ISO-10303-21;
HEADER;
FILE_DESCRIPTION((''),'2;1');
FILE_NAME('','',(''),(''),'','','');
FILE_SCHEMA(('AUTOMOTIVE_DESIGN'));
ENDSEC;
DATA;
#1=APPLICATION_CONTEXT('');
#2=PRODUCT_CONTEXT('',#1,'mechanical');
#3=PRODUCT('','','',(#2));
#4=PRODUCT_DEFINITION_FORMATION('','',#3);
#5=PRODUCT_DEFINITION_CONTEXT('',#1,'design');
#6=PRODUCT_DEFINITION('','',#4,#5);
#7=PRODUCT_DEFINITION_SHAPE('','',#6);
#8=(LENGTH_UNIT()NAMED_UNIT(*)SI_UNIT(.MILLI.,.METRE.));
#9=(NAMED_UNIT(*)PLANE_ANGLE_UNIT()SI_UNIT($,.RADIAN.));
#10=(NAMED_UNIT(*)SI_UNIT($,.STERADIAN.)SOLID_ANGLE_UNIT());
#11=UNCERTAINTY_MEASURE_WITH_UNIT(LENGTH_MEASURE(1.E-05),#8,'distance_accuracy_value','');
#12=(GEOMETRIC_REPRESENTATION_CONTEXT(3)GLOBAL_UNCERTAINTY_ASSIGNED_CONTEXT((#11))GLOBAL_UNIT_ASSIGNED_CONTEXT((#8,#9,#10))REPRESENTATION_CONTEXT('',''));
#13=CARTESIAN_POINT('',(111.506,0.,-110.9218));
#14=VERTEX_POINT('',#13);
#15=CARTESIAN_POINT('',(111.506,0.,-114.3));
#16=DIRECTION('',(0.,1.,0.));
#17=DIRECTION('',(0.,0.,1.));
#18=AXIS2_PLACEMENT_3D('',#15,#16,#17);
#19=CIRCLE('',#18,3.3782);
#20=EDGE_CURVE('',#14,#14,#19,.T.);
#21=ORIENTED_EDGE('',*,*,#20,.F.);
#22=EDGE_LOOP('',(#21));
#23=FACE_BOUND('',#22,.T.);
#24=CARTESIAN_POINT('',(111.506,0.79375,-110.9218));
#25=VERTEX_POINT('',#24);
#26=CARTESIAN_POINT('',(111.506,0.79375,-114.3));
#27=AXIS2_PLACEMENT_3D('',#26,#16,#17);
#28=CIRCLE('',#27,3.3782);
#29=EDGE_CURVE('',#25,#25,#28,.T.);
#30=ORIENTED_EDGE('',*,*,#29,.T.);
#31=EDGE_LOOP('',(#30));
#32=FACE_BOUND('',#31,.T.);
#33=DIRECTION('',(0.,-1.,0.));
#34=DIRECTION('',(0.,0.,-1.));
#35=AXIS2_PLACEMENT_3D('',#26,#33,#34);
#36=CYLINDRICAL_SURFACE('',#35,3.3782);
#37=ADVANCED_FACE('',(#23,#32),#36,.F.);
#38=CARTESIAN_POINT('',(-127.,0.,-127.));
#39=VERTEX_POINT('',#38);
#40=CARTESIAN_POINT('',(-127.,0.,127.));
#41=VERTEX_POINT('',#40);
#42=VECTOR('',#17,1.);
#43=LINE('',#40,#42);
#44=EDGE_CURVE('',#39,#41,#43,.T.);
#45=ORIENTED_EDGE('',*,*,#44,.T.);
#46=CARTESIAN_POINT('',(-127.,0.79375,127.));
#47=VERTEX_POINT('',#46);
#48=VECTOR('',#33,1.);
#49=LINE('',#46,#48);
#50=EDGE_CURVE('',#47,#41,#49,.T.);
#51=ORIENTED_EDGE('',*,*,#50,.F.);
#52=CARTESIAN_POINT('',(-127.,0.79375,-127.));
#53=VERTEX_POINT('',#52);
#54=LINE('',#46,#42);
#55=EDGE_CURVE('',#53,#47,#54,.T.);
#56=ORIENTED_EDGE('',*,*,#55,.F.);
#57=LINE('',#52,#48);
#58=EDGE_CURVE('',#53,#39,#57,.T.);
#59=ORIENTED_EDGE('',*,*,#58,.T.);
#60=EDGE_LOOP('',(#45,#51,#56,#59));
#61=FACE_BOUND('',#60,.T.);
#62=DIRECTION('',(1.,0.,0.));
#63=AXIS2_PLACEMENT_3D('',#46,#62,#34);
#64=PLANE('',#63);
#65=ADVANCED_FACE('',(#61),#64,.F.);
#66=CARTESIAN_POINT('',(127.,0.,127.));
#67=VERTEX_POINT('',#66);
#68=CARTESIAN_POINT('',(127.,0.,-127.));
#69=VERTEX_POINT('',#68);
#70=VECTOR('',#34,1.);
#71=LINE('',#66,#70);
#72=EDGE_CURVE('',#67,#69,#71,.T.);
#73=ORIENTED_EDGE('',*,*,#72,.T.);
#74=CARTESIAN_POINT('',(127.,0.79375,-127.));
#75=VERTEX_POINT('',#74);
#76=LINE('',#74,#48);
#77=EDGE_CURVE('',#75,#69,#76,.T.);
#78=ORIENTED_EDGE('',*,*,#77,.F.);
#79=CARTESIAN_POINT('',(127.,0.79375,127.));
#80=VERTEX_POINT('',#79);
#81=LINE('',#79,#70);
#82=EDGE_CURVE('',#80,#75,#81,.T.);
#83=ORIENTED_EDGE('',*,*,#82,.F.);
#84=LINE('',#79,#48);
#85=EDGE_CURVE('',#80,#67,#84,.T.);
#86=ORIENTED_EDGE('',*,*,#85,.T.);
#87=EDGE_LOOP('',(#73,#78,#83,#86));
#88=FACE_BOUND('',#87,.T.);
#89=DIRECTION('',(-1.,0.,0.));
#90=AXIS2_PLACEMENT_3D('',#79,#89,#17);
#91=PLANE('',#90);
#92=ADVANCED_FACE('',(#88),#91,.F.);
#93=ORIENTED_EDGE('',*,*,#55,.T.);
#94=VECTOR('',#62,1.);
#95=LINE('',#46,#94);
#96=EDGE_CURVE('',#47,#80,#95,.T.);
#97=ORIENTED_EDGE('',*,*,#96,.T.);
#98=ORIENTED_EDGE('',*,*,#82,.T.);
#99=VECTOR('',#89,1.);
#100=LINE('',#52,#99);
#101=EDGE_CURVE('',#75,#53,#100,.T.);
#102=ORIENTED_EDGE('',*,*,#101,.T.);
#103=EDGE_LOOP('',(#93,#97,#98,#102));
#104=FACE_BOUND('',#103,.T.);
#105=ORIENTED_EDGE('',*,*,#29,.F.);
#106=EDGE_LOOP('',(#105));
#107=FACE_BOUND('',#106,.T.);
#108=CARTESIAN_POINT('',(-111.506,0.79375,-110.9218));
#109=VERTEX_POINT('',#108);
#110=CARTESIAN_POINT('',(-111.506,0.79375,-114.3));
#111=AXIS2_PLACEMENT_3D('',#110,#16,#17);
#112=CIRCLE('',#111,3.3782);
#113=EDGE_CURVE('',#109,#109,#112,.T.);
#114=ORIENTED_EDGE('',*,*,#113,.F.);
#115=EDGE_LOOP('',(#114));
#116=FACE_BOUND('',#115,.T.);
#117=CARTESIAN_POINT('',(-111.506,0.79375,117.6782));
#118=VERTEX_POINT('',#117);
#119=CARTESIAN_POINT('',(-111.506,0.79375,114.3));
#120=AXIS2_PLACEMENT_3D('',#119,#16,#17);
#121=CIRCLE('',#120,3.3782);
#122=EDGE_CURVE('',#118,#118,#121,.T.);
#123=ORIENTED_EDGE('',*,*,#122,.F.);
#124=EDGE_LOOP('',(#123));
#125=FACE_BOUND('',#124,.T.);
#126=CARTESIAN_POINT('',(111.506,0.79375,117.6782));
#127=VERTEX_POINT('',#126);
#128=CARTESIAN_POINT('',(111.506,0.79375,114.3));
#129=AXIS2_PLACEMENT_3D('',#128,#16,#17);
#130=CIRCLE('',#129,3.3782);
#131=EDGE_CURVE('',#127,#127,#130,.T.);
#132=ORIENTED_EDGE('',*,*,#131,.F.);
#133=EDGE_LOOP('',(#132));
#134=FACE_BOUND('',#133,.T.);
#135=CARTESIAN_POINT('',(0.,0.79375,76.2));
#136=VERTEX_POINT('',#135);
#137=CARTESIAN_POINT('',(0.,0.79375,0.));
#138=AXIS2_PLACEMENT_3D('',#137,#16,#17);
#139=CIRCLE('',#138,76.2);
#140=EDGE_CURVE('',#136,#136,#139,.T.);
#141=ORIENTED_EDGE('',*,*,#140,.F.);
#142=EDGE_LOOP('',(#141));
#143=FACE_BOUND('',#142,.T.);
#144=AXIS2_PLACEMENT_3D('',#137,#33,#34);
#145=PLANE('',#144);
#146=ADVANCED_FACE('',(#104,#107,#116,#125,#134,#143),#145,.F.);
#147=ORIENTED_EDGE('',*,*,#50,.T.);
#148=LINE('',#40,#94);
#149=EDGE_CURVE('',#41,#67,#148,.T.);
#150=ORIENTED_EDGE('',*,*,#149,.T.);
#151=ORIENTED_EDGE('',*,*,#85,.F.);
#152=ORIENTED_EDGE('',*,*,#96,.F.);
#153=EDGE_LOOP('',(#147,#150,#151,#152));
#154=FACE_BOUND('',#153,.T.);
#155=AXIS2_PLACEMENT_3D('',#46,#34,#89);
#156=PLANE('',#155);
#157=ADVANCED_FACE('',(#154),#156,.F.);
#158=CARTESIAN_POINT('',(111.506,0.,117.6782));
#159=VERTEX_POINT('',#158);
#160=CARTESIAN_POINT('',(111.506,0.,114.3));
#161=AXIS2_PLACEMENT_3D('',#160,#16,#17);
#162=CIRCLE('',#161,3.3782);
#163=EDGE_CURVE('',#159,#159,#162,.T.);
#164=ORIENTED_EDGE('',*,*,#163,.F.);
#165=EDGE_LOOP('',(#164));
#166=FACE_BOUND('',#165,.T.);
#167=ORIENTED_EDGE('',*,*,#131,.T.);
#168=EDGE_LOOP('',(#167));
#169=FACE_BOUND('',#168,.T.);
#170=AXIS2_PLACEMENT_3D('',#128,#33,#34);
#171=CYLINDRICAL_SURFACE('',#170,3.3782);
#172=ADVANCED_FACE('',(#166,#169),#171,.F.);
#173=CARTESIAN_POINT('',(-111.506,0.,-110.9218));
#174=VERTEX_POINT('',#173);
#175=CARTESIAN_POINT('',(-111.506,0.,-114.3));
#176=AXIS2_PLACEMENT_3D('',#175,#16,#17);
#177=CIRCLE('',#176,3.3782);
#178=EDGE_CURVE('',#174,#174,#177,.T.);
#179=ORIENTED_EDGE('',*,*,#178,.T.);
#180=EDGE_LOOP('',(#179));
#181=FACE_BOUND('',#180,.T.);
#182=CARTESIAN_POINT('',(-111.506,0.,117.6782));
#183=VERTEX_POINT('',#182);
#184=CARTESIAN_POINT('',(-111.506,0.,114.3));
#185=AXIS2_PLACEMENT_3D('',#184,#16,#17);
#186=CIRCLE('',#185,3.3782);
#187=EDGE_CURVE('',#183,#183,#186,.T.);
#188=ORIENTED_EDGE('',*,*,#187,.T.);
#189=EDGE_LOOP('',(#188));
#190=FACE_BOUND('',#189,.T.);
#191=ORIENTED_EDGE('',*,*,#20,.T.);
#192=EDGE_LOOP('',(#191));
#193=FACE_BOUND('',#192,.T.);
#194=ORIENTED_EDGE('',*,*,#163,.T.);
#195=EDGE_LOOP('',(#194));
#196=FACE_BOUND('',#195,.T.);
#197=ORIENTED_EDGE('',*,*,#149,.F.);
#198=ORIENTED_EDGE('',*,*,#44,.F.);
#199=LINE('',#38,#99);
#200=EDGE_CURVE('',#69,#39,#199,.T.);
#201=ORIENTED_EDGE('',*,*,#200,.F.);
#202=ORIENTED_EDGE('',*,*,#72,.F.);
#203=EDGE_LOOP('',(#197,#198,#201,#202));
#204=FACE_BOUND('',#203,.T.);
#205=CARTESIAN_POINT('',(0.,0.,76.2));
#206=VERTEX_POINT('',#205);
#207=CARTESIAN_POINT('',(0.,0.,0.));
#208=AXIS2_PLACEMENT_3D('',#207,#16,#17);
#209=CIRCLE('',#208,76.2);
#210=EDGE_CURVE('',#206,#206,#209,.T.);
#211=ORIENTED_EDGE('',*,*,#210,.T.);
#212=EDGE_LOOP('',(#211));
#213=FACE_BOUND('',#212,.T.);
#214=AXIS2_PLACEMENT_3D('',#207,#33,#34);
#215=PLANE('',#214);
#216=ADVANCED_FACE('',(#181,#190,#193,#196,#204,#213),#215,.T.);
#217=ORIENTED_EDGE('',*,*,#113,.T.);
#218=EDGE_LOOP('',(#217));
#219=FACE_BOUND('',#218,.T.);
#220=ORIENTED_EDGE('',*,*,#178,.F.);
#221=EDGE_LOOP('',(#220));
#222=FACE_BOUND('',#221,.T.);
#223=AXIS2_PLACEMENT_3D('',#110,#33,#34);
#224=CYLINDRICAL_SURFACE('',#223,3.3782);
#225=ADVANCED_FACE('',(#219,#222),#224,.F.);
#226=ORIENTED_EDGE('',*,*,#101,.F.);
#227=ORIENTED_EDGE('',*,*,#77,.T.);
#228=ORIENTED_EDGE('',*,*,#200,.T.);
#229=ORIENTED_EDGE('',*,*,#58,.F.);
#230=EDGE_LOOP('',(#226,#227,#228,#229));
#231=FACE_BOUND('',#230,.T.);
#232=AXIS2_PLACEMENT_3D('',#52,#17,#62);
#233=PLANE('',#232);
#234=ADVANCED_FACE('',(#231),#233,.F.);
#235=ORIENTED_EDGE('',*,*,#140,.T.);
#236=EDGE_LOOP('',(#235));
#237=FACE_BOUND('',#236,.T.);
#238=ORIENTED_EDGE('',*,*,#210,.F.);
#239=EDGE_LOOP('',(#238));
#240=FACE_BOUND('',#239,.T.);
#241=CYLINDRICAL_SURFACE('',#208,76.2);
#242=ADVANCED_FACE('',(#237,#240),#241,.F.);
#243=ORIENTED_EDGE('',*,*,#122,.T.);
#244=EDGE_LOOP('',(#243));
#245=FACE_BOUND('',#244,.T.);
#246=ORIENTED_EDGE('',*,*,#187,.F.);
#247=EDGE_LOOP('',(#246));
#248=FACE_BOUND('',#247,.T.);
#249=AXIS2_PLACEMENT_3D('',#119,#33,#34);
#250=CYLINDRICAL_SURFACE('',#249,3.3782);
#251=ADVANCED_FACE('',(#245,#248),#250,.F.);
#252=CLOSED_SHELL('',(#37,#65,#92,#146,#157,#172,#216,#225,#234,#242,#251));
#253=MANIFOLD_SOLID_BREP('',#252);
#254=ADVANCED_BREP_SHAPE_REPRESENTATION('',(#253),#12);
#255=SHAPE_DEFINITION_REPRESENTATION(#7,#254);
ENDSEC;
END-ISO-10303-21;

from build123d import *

# Parameters (mm, degrees)
SKETCH1_W           = 254
SKETCH1_H           = 254
SKETCH1_R           = 3.3782
BOSS_EXTRUDE1_DEPTH = 0.79375
SKETCH2_R           = 76.2
CUT_EXTRUDE1_DEPTH  = 0.79375


with BuildPart() as part:
    # Sketch1 → Boss-Extrude1 (new body)
    with BuildSketch(Plane(origin=(0, 0, 0), x_dir=(1, 0, 0), z_dir=(0, 1, 0))):
        Rectangle(SKETCH1_W, SKETCH1_H)
        with Locations(Location((-111.506, 114.3, 0), (0, 0, 270))):
            Circle(SKETCH1_R, mode=Mode.SUBTRACT)
        with Locations(Location((111.506, 114.3, 0), (0, 0, 270))):
            Circle(SKETCH1_R, mode=Mode.SUBTRACT)
        with Locations(Location((111.506, -114.3, 0), (0, 0, 270))):
            Circle(SKETCH1_R, mode=Mode.SUBTRACT)
        with Locations(Location((-111.506, -114.3, 0), (0, 0, 270))):
            Circle(SKETCH1_R, mode=Mode.SUBTRACT)
    extrude(amount=BOSS_EXTRUDE1_DEPTH)

    # Sketch2 → Cut-Extrude1 (cut)
    with BuildSketch(Plane(origin=(0, 0.79375, 0), x_dir=(1, 0, 0), z_dir=(0, 1, 0))):
        with Locations(Location((0, 0, 0), (0, 0, 270))):
            Circle(SKETCH2_R)
    extrude(amount=-CUT_EXTRUDE1_DEPTH, mode=Mode.SUBTRACT)


solid = part.part
